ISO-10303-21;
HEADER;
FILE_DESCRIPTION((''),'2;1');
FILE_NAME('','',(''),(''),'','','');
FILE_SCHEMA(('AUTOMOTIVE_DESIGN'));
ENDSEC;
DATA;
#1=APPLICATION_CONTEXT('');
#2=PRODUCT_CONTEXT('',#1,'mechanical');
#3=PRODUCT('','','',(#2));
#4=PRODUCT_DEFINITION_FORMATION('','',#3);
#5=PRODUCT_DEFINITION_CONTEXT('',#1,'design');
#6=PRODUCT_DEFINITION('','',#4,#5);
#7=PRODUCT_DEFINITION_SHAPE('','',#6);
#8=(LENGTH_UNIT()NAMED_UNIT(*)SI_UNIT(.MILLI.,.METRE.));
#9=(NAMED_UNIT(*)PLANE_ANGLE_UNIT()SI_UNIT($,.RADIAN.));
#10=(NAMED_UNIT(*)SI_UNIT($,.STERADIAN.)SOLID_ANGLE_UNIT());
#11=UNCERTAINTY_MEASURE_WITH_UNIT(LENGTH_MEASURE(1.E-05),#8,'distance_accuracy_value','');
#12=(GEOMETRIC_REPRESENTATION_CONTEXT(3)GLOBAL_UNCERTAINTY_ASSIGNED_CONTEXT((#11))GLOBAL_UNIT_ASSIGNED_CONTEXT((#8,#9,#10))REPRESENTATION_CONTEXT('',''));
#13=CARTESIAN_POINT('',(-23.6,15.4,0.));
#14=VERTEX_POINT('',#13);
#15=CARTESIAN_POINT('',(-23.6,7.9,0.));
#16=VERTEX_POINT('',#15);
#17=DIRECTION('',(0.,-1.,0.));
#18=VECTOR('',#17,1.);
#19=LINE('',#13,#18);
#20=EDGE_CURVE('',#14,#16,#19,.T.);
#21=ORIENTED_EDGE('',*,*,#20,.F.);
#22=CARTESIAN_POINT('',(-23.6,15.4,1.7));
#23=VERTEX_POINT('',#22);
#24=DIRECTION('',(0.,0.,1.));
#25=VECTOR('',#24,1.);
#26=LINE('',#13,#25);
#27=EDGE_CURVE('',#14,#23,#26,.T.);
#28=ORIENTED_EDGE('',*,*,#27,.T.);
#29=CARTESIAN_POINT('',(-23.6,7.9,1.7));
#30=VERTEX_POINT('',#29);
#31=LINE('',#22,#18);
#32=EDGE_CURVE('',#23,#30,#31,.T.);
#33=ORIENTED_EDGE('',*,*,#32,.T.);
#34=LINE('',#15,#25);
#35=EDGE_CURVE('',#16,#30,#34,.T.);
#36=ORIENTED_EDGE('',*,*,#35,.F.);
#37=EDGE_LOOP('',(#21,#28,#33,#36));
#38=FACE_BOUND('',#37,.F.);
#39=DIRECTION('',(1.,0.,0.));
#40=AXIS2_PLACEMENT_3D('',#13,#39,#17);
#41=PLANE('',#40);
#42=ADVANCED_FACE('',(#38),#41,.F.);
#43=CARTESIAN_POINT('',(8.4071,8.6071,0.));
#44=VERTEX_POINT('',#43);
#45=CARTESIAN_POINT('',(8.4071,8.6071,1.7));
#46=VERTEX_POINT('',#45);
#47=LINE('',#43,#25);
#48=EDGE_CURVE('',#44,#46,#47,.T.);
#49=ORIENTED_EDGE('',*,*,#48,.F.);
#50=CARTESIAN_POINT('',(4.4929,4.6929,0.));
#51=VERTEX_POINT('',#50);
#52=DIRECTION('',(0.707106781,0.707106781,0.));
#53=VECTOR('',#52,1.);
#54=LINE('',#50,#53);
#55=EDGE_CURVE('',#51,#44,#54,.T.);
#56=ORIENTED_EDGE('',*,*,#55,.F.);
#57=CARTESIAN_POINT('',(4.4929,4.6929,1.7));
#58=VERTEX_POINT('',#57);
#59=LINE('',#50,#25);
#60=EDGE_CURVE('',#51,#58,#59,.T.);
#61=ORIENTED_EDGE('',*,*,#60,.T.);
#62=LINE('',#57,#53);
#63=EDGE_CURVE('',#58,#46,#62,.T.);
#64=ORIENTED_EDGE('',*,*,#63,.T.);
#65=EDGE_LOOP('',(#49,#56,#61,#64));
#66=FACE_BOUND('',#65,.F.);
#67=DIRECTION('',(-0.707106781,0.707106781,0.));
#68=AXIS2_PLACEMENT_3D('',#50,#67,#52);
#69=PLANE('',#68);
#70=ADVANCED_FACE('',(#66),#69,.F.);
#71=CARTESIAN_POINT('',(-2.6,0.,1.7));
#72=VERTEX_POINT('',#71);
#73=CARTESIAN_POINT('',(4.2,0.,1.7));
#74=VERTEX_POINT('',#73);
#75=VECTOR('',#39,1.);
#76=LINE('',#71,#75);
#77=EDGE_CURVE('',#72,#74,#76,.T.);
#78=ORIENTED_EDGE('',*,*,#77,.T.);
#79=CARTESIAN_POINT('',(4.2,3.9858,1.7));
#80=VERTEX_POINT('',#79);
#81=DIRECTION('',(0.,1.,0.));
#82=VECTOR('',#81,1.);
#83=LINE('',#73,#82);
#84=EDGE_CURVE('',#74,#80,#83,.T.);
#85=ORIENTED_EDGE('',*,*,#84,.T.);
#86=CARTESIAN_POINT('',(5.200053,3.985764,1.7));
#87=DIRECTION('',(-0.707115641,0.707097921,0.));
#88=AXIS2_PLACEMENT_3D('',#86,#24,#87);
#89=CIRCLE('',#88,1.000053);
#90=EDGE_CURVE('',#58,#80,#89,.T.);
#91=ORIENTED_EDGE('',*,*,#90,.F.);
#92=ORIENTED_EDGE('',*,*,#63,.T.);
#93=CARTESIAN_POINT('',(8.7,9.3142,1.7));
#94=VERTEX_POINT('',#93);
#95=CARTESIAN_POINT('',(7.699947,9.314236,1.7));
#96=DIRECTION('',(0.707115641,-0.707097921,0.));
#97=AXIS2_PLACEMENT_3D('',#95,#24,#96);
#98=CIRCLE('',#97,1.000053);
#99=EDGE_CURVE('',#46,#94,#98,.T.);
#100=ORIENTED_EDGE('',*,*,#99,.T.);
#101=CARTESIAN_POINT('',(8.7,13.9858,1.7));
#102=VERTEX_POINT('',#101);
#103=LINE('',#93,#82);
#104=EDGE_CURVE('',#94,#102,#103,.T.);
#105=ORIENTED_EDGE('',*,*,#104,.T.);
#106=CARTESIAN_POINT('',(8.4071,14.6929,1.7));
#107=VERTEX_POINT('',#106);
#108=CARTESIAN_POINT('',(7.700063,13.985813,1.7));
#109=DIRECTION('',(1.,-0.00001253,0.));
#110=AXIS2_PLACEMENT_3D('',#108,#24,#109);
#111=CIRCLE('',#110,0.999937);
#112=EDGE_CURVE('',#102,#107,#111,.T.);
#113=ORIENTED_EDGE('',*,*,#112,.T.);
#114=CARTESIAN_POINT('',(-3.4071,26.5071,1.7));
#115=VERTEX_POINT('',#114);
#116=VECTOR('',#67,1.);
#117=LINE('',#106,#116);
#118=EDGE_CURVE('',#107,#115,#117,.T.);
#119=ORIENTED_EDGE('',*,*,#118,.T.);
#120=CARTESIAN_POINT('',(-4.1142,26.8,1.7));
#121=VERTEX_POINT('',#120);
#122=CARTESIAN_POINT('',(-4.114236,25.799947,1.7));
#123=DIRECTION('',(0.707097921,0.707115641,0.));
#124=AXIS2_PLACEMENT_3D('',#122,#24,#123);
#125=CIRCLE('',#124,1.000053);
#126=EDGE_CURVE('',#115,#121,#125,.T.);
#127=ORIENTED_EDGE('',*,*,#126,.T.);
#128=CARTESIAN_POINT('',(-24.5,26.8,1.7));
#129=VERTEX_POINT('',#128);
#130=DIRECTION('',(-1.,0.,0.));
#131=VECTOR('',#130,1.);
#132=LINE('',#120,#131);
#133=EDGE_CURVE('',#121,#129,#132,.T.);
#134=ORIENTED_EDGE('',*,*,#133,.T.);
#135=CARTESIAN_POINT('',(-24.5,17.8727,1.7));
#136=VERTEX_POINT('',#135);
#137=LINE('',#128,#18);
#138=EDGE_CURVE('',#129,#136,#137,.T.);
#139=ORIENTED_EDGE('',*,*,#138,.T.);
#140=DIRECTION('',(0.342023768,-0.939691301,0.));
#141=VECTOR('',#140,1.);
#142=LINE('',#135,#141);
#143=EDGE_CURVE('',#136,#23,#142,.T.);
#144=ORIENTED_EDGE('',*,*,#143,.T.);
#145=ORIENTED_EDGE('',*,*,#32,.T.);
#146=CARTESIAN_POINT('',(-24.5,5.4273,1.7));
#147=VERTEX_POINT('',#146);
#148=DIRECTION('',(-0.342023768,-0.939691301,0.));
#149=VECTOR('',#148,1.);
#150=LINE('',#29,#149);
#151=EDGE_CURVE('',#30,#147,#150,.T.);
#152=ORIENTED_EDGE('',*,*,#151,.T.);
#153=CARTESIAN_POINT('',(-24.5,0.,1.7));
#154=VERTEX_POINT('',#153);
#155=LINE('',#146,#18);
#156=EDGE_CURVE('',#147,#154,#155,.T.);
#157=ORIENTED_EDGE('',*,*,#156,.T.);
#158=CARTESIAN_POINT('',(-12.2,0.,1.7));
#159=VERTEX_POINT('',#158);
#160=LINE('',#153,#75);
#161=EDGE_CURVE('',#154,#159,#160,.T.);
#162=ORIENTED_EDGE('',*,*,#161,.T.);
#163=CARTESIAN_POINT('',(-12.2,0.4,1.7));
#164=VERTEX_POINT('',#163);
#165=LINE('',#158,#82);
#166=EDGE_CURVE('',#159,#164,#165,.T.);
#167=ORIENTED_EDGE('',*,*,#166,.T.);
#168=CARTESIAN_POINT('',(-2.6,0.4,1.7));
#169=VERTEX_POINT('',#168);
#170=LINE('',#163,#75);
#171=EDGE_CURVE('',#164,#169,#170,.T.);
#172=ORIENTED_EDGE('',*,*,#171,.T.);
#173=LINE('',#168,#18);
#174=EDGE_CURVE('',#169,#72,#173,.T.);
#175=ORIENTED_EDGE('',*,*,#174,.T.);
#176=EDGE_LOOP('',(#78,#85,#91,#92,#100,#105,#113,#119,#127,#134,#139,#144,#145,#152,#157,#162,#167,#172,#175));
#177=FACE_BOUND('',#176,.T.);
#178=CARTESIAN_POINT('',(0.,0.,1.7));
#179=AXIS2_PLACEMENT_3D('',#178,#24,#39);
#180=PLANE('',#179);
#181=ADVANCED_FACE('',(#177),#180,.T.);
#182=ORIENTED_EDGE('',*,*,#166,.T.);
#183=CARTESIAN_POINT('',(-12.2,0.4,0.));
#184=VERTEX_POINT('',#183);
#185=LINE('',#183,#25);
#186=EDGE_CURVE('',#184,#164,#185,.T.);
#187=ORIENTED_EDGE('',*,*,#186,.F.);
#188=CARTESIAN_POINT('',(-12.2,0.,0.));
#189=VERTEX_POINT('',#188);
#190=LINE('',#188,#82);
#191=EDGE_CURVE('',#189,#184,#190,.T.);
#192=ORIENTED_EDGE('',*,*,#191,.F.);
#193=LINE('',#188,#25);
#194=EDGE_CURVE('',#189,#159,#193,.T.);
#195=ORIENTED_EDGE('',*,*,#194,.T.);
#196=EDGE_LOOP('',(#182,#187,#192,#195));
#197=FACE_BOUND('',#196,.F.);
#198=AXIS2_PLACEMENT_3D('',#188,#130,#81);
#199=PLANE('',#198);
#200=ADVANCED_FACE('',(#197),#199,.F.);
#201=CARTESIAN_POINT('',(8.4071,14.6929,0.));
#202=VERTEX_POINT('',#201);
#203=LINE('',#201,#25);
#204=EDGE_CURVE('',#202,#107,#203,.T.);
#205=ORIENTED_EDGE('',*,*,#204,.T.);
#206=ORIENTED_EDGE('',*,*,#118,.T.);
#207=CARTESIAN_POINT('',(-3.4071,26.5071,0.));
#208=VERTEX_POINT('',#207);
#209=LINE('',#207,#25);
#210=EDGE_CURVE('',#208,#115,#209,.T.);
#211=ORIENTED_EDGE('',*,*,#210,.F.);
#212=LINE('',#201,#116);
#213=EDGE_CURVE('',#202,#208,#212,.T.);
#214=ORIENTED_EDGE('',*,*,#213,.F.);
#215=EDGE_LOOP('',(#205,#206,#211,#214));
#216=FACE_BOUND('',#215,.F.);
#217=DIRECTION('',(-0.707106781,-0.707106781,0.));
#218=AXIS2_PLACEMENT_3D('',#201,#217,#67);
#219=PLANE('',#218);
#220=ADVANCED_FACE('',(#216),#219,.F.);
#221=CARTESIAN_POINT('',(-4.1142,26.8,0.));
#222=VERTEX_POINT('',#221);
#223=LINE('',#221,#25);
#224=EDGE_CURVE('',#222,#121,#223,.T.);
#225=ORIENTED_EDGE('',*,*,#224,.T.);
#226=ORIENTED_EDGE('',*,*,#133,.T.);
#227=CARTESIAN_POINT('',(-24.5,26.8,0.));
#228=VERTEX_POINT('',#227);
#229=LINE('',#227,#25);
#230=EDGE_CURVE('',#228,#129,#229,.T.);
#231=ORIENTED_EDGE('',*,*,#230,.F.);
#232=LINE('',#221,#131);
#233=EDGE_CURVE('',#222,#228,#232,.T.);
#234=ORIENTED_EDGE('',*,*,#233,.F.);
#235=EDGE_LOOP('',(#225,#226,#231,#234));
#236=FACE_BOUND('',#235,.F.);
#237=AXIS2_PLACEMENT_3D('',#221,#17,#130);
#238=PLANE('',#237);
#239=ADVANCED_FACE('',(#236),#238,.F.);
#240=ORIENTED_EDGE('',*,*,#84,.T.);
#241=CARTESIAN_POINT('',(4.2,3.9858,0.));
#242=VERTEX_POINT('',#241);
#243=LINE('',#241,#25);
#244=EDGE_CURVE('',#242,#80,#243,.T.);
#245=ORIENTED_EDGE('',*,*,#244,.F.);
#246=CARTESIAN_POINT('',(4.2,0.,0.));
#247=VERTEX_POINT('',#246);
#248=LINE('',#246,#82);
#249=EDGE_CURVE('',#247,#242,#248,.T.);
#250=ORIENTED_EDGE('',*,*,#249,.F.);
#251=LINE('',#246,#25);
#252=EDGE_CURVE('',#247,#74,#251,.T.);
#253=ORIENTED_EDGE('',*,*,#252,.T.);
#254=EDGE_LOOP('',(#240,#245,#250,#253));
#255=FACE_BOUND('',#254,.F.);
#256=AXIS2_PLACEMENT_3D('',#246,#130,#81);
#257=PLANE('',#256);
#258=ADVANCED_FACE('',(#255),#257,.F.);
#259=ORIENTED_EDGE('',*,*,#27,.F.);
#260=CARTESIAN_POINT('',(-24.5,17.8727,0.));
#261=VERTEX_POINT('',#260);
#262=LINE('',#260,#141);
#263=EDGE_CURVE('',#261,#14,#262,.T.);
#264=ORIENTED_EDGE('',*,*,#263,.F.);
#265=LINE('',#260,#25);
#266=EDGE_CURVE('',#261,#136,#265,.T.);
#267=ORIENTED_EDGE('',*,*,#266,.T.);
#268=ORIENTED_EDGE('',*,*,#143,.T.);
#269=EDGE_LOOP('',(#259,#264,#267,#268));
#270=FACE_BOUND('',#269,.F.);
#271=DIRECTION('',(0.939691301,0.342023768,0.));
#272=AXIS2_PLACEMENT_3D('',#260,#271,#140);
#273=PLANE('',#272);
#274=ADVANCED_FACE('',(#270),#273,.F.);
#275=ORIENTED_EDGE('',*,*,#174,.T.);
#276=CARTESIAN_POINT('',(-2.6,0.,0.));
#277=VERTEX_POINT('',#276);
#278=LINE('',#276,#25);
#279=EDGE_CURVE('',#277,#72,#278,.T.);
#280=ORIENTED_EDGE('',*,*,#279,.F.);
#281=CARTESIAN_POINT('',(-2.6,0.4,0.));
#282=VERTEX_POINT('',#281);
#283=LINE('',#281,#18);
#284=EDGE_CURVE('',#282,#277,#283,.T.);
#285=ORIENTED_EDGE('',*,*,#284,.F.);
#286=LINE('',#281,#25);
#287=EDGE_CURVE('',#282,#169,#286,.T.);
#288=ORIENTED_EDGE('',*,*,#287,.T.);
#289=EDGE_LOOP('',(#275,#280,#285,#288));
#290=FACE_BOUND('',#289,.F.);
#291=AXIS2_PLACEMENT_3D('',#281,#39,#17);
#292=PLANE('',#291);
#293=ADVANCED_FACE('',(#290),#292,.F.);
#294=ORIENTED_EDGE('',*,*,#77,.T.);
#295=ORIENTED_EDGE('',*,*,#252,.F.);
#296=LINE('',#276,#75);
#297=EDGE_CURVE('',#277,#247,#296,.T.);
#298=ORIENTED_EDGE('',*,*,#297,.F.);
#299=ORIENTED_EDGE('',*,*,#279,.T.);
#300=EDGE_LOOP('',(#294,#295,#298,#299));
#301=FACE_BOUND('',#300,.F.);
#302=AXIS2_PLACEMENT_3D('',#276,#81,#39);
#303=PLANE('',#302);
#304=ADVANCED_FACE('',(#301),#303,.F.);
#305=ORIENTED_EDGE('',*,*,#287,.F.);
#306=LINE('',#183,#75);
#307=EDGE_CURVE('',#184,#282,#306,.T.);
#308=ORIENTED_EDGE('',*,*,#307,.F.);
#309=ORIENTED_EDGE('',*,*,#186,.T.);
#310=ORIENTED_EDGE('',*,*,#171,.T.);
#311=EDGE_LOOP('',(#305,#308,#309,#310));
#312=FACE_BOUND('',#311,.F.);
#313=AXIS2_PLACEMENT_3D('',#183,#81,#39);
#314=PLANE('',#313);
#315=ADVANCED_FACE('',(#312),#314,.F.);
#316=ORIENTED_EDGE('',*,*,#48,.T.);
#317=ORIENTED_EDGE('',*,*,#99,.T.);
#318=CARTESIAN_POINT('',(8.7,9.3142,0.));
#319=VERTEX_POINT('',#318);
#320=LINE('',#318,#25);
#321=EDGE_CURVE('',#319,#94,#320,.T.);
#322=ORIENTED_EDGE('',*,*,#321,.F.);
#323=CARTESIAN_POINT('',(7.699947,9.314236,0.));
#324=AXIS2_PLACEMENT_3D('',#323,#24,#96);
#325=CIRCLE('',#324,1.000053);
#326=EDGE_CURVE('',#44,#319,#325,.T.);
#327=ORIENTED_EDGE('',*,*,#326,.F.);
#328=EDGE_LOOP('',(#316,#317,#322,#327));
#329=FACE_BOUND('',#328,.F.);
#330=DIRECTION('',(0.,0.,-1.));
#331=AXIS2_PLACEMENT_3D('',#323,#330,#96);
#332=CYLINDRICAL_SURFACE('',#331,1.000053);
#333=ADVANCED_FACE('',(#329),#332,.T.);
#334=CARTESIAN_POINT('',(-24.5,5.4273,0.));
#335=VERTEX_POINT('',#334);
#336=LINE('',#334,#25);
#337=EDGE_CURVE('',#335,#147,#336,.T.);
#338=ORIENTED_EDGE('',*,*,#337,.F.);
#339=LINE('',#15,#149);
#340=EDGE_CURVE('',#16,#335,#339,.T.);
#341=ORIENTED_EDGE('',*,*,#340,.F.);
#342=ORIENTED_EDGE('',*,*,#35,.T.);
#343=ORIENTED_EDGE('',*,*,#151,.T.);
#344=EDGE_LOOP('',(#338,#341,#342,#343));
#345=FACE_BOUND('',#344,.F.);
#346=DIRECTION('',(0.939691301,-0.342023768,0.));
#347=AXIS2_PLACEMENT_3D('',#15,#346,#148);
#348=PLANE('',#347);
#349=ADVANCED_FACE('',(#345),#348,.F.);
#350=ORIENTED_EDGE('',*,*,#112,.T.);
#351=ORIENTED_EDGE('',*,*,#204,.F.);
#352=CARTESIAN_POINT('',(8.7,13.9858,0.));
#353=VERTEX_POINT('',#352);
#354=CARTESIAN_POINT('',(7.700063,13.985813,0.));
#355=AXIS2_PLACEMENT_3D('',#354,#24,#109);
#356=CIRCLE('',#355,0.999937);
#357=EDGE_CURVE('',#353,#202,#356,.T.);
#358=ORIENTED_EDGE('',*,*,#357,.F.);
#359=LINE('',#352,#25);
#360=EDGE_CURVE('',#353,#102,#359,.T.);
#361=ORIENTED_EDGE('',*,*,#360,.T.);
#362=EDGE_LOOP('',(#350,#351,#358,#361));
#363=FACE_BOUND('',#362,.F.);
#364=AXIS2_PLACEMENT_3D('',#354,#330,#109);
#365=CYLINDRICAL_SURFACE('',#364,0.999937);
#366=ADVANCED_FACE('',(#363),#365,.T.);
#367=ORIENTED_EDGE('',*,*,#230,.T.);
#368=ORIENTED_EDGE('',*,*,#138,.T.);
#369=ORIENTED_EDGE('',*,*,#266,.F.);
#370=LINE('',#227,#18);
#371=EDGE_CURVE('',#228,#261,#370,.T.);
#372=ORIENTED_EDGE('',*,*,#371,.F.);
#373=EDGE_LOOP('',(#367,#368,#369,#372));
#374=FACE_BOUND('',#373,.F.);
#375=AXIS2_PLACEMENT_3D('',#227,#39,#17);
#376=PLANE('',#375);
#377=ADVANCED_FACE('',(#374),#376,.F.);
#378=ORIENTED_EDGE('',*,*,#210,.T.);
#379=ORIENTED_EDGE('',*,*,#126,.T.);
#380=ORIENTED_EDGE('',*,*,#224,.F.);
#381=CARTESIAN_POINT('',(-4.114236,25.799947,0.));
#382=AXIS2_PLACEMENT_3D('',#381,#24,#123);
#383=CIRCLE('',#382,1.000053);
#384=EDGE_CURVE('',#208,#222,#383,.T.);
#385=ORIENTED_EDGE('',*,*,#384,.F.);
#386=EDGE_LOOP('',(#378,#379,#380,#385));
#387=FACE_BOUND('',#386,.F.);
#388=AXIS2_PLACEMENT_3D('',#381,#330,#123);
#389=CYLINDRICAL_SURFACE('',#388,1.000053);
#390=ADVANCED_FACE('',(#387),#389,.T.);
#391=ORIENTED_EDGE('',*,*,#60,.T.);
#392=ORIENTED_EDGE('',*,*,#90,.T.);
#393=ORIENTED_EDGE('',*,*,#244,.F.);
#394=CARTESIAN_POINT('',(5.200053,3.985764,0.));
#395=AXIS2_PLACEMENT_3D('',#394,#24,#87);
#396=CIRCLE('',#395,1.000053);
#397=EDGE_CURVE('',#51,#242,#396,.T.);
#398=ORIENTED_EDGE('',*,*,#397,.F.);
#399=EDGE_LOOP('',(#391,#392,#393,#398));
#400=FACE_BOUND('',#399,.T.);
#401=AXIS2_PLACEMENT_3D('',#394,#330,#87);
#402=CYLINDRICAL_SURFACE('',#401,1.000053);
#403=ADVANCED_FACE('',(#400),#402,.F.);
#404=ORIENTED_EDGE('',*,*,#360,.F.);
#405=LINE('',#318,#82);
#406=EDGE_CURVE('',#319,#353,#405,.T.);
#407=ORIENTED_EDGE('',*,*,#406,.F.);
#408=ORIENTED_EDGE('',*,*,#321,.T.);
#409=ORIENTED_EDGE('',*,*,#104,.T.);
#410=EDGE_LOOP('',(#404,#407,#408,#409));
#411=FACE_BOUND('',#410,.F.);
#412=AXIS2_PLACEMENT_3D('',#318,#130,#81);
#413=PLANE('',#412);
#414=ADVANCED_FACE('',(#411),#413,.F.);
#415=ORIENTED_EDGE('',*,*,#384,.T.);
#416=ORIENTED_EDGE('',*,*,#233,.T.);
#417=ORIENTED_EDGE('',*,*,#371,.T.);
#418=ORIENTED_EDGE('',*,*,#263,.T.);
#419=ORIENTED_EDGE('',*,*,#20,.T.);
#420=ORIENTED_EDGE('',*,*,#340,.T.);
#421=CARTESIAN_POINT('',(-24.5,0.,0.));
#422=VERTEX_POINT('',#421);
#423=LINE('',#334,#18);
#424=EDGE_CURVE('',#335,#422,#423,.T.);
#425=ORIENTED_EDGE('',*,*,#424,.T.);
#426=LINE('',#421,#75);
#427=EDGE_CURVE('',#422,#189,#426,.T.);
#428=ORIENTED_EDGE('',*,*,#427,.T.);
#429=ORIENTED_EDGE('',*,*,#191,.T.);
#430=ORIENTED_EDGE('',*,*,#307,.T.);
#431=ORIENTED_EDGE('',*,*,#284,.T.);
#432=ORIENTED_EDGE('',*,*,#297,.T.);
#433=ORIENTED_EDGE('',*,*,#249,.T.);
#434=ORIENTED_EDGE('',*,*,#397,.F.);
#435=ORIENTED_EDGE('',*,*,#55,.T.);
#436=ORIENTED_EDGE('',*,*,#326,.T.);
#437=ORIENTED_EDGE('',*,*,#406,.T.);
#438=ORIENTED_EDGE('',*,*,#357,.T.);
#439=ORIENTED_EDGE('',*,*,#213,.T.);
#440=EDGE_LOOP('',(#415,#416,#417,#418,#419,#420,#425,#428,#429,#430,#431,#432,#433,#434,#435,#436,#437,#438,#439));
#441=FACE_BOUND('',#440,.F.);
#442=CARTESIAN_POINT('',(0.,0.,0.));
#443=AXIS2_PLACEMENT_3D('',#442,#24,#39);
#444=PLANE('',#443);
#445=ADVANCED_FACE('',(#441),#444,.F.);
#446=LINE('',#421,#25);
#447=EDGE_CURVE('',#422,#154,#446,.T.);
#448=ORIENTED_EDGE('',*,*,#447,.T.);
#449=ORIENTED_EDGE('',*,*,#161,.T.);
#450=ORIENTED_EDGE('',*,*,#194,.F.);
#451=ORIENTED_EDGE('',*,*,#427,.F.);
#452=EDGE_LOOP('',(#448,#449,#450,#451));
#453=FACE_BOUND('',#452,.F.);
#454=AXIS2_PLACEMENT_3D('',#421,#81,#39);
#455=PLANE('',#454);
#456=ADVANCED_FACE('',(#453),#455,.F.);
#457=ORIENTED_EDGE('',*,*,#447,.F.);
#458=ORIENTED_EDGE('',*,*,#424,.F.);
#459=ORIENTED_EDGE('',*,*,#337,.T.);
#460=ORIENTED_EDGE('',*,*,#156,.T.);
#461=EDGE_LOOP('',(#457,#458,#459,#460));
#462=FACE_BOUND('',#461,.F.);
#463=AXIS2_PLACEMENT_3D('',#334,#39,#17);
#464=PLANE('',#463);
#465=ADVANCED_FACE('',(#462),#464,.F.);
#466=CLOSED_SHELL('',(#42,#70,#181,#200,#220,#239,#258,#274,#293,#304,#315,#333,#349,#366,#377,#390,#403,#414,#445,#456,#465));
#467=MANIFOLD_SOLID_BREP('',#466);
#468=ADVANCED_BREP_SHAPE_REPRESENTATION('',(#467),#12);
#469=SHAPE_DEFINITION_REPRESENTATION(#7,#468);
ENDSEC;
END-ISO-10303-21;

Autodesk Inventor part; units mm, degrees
ref_plane "YZ Plane" through (0, 0, 0) normal (1, 0, 0) x (0, 1, 0)
ref_plane "XZ Plane" through (0, 0, 0) normal (0, 1, 0) x (-1, 0, 0)
ref_plane "XY Plane" through (0, 0, 0) normal (0, 0, 1) x (1, 0, 0)
sketch "Skizze_1" plane through (0, 0, 0) normal (0, 0, 1) x (1, 0, 0)
  line L0 (-24.5, 0) -> (-12.2, 0)
  line L1 (-12.2, 0) -> (-12.2, 0.4)
  line L2 (-12.2, 0.4) -> (-2.6, 0.4)
  line L3 (-2.6, 0.4) -> (-2.6, 0)
  line L4 (-2.6, 0) -> (4.2, 0)
  line L5 (4.2, 0) -> (4.2, 3.9858)
  arc A0 (4.4929, 4.6929) -> (4.2, 3.9858) centre (5.2, 3.9858) ccw
  line L6 (4.4929, 4.6929) -> (8.4071, 8.6071)
  arc A1 (8.4071, 8.6071) -> (8.7, 9.3142) centre (7.7, 9.3142) ccw
  line L7 (8.7, 9.3142) -> (8.7, 13.9858)
  arc A2 (8.7, 13.9858) -> (8.4071, 14.6929) centre (7.7, 13.9858) ccw
  line L8 (8.4071, 14.6929) -> (-3.4071, 26.5071)
  arc A3 (-3.4071, 26.5071) -> (-4.1142, 26.8) centre (-4.1142, 25.8) ccw
  line L9 (-4.1142, 26.8) -> (-24.5, 26.8)
  line L10 (-24.5, 26.8) -> (-24.5, 17.8727)
  line L11 (-24.5, 17.8727) -> (-23.6, 15.4)
  line L12 (-23.6, 15.4) -> (-23.6, 7.9)
  line L13 (-23.6, 7.9) -> (-24.5, 5.4273)
  line L14 (-24.5, 5.4273) -> (-24.5, 0)
extrude "Extrusion1" add sketch "Skizze_1" along normal blind 1.7
properties part number "745-500"
